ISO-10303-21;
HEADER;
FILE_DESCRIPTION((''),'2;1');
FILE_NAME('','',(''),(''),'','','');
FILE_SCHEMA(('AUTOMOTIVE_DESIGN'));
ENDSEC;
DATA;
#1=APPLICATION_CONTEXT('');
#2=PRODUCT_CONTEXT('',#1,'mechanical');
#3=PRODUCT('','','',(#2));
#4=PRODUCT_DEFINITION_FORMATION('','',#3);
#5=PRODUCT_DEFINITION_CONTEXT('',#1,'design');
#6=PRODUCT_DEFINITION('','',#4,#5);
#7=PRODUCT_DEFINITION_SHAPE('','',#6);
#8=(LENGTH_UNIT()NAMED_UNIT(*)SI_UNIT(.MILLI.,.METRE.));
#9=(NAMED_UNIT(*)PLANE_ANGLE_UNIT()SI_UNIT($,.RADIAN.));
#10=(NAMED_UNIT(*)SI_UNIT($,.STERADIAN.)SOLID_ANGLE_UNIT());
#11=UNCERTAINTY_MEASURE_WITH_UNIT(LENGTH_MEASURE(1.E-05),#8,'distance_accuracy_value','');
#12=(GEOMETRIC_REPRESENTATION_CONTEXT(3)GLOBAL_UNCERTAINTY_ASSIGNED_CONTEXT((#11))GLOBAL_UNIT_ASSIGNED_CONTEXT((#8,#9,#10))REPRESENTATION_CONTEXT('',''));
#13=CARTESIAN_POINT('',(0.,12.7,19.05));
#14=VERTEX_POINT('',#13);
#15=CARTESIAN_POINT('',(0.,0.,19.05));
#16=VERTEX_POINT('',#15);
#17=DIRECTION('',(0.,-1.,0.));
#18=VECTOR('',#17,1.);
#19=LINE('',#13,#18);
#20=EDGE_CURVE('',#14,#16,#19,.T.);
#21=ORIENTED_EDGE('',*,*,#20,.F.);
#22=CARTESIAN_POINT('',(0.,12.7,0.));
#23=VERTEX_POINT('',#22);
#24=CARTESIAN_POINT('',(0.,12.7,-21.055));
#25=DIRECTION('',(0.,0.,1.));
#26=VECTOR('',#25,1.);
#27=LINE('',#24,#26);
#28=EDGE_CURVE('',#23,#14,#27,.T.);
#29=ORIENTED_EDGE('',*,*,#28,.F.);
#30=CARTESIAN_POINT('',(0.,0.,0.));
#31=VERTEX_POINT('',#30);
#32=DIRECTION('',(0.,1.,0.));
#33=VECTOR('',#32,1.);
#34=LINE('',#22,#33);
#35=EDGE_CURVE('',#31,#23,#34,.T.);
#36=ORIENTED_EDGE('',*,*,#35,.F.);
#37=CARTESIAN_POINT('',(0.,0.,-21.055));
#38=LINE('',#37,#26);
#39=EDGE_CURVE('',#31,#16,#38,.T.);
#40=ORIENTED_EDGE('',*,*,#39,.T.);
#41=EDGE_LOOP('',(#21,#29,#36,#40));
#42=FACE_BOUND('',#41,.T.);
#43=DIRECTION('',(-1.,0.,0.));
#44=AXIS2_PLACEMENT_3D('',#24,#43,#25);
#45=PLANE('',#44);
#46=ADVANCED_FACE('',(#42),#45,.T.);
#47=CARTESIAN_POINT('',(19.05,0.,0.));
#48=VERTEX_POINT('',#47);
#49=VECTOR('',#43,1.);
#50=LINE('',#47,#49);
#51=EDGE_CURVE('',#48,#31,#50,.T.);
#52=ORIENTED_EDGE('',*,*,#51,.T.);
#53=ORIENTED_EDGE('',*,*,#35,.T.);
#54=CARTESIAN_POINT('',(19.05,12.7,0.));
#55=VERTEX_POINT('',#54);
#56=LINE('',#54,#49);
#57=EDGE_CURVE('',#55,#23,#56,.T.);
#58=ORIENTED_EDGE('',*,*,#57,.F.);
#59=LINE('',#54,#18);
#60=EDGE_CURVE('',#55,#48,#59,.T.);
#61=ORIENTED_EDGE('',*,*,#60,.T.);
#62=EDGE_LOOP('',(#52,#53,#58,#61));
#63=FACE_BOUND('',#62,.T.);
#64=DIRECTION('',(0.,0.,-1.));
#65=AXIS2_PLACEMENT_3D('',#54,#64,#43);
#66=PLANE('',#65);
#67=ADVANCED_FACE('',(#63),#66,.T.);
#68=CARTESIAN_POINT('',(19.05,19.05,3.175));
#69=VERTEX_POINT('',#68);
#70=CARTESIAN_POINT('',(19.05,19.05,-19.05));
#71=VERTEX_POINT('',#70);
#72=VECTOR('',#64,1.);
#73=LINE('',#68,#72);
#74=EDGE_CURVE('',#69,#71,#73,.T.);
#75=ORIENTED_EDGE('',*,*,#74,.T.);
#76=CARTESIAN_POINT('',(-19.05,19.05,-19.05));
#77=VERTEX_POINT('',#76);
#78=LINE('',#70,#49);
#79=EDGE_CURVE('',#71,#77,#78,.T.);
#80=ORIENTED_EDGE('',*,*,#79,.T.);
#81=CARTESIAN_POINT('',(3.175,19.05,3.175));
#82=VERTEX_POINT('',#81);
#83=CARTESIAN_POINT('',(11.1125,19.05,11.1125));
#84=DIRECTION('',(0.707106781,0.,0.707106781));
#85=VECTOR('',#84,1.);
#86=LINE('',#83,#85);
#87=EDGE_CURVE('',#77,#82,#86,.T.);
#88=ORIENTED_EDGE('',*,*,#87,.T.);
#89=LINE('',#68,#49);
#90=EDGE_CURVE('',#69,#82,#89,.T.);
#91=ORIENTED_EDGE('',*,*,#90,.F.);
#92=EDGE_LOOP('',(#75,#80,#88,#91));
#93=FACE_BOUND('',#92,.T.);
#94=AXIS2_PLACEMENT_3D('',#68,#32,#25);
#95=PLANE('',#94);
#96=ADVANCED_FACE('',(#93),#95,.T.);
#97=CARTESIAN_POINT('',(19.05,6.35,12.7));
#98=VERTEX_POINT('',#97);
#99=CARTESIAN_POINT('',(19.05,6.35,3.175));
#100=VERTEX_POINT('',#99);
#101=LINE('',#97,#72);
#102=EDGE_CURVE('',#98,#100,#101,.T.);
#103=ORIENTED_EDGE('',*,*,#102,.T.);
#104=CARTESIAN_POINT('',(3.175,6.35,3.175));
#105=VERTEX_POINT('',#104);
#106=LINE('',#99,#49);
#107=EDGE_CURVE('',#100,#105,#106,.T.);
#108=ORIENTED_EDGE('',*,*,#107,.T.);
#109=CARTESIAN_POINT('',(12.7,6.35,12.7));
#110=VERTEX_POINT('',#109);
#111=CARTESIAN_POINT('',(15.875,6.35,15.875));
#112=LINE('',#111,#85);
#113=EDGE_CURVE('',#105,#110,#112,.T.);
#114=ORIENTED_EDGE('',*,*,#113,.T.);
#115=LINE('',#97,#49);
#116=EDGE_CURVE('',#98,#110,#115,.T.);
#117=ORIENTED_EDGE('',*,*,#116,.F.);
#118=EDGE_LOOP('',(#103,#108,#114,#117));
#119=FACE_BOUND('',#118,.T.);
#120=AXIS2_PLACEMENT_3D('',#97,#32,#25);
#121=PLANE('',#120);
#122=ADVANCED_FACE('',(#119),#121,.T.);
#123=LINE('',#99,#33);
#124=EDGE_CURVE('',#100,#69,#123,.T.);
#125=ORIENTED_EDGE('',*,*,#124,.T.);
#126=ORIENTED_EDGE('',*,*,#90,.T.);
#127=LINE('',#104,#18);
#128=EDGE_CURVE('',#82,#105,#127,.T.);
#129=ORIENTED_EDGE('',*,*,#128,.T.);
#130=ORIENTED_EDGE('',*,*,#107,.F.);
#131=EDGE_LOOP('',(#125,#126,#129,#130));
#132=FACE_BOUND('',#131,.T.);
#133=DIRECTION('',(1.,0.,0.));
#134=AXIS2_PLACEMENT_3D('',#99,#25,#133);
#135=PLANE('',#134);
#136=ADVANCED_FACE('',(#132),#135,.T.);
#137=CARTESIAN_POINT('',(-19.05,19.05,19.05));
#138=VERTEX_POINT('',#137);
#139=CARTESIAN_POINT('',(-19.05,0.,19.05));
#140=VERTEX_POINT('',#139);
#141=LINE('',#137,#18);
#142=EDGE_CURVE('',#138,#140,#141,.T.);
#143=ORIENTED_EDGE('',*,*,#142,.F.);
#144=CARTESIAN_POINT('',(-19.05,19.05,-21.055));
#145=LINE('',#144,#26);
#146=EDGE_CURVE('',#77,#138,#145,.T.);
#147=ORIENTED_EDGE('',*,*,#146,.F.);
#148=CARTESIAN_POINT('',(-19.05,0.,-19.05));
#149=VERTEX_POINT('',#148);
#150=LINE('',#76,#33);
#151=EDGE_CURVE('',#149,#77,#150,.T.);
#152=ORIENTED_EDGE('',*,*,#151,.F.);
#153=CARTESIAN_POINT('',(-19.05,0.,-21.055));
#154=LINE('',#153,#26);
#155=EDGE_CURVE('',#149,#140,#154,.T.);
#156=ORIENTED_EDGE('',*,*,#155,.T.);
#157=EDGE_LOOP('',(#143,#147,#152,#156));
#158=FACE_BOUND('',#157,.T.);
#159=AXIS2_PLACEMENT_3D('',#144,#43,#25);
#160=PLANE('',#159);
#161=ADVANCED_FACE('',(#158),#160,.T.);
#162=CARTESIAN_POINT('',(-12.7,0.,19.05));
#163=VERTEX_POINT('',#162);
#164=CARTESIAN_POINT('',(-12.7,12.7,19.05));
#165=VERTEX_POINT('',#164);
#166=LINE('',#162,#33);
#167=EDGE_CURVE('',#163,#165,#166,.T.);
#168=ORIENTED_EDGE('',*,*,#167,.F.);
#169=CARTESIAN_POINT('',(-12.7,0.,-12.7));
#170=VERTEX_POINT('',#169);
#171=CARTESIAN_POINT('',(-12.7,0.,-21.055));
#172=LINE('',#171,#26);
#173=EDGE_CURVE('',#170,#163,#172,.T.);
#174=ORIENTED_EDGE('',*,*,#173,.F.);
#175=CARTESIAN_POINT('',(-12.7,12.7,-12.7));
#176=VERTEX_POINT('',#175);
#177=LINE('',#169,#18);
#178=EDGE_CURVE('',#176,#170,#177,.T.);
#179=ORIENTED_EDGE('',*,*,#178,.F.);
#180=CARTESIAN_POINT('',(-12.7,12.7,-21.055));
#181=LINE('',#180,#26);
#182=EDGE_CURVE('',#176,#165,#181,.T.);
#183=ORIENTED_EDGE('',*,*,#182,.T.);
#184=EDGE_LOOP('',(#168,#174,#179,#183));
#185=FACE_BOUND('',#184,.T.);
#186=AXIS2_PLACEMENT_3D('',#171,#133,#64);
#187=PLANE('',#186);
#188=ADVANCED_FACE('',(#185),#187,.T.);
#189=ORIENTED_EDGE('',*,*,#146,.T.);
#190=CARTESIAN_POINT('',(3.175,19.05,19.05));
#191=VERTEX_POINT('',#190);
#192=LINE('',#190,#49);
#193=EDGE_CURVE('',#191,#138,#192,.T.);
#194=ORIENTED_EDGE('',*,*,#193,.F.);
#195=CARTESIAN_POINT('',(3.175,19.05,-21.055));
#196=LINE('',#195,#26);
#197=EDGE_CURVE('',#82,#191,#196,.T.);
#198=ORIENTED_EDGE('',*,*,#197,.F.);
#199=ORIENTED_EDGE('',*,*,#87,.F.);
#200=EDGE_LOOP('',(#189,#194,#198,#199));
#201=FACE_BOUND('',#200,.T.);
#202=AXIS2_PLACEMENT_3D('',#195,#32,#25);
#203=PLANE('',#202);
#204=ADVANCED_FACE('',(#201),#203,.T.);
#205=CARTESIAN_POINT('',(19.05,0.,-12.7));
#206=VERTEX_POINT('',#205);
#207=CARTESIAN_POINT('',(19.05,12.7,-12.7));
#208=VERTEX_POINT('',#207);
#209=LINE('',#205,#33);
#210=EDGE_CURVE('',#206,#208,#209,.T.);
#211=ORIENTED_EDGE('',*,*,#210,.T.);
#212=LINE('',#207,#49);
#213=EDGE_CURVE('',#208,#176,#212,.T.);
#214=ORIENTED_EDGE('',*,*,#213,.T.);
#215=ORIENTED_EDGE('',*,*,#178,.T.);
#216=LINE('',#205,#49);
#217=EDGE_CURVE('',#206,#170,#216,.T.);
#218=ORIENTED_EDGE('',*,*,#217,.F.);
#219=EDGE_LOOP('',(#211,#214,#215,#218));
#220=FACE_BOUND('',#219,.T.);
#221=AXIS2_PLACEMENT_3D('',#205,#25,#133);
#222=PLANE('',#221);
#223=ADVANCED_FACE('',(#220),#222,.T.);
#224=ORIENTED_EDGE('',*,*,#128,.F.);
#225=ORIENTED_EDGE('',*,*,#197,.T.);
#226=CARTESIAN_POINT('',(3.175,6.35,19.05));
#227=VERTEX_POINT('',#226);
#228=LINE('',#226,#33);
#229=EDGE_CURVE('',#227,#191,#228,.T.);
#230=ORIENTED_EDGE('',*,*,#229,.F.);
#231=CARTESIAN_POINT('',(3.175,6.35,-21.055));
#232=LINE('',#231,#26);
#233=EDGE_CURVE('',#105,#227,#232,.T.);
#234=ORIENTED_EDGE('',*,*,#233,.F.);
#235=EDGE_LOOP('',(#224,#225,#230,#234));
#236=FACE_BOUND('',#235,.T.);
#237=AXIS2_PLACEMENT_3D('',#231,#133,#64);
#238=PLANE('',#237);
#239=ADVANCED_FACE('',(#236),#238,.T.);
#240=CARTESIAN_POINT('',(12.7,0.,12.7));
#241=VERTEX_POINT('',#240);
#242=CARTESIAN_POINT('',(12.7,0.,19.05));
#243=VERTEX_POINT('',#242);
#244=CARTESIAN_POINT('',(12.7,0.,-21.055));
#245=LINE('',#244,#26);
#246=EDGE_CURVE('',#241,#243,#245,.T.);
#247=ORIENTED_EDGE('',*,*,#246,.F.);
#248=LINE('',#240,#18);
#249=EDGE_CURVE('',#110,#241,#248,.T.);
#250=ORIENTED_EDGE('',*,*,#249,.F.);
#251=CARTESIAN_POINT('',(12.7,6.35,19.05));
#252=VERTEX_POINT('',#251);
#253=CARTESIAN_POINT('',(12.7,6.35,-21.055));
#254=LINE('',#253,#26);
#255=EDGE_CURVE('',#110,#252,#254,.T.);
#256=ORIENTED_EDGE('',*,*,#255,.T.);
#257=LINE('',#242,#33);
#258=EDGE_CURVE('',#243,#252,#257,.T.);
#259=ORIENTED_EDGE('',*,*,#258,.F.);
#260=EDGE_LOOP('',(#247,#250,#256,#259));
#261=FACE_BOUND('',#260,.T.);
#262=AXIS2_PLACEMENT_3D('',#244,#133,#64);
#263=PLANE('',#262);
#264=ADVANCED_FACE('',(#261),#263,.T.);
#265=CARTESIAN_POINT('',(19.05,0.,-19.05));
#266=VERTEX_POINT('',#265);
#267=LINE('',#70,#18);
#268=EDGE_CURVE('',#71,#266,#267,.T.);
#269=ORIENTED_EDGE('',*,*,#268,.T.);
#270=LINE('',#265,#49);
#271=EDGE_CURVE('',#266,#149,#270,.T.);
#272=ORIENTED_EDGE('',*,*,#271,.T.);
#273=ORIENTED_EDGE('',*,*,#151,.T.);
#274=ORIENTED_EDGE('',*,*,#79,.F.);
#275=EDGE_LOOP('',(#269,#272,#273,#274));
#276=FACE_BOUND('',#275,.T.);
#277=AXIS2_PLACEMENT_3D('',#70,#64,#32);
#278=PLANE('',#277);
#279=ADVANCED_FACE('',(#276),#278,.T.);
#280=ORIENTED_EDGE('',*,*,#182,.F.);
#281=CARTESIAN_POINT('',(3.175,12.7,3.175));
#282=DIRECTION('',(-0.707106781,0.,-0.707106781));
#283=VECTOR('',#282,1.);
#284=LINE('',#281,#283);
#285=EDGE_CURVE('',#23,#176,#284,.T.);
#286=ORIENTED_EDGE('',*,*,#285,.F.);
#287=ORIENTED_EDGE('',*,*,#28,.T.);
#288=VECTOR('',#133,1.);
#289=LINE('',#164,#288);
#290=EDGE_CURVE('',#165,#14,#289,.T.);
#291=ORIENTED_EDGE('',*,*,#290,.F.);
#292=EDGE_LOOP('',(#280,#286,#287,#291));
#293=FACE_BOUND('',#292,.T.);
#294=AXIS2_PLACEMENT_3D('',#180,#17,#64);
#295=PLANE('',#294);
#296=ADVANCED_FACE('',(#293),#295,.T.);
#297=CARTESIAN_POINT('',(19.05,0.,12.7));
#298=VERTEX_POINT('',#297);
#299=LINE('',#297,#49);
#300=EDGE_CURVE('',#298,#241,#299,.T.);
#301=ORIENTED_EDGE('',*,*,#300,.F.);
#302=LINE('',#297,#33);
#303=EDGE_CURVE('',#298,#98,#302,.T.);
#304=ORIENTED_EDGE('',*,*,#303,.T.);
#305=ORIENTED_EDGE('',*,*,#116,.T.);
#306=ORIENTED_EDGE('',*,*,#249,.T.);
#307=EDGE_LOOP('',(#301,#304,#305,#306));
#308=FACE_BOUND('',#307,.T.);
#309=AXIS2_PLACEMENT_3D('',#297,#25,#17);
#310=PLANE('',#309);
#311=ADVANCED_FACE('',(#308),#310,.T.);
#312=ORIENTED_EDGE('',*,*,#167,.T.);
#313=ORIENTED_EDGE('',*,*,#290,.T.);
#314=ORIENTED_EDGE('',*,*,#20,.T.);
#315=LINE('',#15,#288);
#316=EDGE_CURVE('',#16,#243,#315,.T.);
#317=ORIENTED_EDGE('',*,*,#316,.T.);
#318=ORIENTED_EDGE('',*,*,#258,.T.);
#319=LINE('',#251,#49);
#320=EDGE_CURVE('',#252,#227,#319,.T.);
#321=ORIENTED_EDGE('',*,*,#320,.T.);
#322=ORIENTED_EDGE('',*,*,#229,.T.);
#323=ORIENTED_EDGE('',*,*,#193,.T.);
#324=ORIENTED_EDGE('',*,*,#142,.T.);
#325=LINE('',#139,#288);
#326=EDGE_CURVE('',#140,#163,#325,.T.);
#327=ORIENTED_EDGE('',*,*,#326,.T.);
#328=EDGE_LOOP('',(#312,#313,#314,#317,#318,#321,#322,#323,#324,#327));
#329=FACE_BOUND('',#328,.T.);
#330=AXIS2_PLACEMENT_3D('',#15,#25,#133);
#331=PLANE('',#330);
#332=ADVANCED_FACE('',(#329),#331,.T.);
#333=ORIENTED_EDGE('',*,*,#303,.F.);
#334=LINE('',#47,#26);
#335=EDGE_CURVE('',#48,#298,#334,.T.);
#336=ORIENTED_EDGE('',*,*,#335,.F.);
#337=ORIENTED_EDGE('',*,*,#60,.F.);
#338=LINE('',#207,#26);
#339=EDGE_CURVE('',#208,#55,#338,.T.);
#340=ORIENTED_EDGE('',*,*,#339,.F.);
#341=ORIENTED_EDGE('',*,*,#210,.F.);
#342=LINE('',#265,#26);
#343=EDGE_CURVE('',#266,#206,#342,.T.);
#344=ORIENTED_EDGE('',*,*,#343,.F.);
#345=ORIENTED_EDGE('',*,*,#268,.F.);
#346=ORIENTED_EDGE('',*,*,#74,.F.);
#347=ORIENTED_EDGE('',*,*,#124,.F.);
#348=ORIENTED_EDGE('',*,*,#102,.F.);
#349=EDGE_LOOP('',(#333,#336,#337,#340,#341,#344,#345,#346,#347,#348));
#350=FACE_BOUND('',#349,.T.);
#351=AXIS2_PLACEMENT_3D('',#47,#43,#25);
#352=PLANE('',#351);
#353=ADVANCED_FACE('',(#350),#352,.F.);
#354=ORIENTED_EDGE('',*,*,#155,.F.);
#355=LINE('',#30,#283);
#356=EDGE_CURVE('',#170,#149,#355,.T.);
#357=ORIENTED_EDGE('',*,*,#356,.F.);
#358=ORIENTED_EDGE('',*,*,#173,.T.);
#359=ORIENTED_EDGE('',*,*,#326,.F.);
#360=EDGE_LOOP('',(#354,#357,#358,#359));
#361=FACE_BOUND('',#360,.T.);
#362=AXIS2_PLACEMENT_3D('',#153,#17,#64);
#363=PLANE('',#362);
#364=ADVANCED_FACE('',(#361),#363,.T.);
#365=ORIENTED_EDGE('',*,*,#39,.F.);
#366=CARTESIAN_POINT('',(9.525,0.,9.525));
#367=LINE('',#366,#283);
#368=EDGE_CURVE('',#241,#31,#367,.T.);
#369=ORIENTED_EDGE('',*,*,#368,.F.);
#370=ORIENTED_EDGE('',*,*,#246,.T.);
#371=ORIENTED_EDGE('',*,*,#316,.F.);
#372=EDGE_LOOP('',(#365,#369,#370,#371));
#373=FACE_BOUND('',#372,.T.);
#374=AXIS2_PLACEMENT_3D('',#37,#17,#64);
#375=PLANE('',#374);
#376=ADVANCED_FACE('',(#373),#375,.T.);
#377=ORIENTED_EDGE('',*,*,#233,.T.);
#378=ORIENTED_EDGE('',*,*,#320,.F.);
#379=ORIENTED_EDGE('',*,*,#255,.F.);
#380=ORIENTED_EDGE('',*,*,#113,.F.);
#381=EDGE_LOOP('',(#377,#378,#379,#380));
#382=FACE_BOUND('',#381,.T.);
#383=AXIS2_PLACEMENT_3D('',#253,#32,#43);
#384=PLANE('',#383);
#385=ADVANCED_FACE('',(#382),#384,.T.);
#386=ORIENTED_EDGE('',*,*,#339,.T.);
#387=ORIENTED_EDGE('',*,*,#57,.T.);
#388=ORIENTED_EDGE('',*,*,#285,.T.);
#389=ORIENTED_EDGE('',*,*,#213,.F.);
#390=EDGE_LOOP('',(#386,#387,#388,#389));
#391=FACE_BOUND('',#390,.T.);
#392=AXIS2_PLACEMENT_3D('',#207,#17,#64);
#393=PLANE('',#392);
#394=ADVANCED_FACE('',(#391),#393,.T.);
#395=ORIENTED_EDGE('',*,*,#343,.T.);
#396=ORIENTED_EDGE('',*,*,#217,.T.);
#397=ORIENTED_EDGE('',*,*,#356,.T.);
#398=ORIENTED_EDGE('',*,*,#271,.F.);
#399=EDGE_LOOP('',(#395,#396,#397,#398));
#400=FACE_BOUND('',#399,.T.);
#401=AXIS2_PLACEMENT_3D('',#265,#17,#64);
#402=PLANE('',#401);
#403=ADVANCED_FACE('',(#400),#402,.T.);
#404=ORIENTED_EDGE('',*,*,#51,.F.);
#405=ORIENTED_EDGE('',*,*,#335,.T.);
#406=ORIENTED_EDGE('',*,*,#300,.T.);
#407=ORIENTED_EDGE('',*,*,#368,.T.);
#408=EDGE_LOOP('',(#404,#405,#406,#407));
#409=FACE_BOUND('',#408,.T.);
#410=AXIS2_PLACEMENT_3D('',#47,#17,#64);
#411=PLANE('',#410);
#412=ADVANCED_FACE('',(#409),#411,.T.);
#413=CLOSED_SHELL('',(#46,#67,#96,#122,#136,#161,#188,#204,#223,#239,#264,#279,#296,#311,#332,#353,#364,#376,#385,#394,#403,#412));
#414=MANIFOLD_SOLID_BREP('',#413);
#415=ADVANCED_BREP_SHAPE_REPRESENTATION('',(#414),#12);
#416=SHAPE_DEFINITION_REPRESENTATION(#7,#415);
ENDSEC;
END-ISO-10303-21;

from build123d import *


with BuildPart() as part:
    # Sweep1: sweep along a path in Sketch2
    with BuildLine(Plane(origin=(0, 0, 0), x_dir=(1, 0, 0), z_dir=(0, 1, 0))) as sweep1_path:
        Line((19.05, 0), (0, 0))
        Line((0, 0), (0, -19.05))
    # Sketch3 → Sweep1 (sweep)
    with BuildSketch(Plane.XY.offset(19.05)):
        Polygon((0, 0), (12.7, 0), (12.7, 6.35), (3.175, 6.35), (3.175, 19.05), (-19.05, 19.05), (-19.05, 0), (-12.7, 0), (-12.7, 12.7), (0, 12.7), align=None)
    sweep(path=sweep1_path.line, transition=Transition.RIGHT)


solid = part.part
